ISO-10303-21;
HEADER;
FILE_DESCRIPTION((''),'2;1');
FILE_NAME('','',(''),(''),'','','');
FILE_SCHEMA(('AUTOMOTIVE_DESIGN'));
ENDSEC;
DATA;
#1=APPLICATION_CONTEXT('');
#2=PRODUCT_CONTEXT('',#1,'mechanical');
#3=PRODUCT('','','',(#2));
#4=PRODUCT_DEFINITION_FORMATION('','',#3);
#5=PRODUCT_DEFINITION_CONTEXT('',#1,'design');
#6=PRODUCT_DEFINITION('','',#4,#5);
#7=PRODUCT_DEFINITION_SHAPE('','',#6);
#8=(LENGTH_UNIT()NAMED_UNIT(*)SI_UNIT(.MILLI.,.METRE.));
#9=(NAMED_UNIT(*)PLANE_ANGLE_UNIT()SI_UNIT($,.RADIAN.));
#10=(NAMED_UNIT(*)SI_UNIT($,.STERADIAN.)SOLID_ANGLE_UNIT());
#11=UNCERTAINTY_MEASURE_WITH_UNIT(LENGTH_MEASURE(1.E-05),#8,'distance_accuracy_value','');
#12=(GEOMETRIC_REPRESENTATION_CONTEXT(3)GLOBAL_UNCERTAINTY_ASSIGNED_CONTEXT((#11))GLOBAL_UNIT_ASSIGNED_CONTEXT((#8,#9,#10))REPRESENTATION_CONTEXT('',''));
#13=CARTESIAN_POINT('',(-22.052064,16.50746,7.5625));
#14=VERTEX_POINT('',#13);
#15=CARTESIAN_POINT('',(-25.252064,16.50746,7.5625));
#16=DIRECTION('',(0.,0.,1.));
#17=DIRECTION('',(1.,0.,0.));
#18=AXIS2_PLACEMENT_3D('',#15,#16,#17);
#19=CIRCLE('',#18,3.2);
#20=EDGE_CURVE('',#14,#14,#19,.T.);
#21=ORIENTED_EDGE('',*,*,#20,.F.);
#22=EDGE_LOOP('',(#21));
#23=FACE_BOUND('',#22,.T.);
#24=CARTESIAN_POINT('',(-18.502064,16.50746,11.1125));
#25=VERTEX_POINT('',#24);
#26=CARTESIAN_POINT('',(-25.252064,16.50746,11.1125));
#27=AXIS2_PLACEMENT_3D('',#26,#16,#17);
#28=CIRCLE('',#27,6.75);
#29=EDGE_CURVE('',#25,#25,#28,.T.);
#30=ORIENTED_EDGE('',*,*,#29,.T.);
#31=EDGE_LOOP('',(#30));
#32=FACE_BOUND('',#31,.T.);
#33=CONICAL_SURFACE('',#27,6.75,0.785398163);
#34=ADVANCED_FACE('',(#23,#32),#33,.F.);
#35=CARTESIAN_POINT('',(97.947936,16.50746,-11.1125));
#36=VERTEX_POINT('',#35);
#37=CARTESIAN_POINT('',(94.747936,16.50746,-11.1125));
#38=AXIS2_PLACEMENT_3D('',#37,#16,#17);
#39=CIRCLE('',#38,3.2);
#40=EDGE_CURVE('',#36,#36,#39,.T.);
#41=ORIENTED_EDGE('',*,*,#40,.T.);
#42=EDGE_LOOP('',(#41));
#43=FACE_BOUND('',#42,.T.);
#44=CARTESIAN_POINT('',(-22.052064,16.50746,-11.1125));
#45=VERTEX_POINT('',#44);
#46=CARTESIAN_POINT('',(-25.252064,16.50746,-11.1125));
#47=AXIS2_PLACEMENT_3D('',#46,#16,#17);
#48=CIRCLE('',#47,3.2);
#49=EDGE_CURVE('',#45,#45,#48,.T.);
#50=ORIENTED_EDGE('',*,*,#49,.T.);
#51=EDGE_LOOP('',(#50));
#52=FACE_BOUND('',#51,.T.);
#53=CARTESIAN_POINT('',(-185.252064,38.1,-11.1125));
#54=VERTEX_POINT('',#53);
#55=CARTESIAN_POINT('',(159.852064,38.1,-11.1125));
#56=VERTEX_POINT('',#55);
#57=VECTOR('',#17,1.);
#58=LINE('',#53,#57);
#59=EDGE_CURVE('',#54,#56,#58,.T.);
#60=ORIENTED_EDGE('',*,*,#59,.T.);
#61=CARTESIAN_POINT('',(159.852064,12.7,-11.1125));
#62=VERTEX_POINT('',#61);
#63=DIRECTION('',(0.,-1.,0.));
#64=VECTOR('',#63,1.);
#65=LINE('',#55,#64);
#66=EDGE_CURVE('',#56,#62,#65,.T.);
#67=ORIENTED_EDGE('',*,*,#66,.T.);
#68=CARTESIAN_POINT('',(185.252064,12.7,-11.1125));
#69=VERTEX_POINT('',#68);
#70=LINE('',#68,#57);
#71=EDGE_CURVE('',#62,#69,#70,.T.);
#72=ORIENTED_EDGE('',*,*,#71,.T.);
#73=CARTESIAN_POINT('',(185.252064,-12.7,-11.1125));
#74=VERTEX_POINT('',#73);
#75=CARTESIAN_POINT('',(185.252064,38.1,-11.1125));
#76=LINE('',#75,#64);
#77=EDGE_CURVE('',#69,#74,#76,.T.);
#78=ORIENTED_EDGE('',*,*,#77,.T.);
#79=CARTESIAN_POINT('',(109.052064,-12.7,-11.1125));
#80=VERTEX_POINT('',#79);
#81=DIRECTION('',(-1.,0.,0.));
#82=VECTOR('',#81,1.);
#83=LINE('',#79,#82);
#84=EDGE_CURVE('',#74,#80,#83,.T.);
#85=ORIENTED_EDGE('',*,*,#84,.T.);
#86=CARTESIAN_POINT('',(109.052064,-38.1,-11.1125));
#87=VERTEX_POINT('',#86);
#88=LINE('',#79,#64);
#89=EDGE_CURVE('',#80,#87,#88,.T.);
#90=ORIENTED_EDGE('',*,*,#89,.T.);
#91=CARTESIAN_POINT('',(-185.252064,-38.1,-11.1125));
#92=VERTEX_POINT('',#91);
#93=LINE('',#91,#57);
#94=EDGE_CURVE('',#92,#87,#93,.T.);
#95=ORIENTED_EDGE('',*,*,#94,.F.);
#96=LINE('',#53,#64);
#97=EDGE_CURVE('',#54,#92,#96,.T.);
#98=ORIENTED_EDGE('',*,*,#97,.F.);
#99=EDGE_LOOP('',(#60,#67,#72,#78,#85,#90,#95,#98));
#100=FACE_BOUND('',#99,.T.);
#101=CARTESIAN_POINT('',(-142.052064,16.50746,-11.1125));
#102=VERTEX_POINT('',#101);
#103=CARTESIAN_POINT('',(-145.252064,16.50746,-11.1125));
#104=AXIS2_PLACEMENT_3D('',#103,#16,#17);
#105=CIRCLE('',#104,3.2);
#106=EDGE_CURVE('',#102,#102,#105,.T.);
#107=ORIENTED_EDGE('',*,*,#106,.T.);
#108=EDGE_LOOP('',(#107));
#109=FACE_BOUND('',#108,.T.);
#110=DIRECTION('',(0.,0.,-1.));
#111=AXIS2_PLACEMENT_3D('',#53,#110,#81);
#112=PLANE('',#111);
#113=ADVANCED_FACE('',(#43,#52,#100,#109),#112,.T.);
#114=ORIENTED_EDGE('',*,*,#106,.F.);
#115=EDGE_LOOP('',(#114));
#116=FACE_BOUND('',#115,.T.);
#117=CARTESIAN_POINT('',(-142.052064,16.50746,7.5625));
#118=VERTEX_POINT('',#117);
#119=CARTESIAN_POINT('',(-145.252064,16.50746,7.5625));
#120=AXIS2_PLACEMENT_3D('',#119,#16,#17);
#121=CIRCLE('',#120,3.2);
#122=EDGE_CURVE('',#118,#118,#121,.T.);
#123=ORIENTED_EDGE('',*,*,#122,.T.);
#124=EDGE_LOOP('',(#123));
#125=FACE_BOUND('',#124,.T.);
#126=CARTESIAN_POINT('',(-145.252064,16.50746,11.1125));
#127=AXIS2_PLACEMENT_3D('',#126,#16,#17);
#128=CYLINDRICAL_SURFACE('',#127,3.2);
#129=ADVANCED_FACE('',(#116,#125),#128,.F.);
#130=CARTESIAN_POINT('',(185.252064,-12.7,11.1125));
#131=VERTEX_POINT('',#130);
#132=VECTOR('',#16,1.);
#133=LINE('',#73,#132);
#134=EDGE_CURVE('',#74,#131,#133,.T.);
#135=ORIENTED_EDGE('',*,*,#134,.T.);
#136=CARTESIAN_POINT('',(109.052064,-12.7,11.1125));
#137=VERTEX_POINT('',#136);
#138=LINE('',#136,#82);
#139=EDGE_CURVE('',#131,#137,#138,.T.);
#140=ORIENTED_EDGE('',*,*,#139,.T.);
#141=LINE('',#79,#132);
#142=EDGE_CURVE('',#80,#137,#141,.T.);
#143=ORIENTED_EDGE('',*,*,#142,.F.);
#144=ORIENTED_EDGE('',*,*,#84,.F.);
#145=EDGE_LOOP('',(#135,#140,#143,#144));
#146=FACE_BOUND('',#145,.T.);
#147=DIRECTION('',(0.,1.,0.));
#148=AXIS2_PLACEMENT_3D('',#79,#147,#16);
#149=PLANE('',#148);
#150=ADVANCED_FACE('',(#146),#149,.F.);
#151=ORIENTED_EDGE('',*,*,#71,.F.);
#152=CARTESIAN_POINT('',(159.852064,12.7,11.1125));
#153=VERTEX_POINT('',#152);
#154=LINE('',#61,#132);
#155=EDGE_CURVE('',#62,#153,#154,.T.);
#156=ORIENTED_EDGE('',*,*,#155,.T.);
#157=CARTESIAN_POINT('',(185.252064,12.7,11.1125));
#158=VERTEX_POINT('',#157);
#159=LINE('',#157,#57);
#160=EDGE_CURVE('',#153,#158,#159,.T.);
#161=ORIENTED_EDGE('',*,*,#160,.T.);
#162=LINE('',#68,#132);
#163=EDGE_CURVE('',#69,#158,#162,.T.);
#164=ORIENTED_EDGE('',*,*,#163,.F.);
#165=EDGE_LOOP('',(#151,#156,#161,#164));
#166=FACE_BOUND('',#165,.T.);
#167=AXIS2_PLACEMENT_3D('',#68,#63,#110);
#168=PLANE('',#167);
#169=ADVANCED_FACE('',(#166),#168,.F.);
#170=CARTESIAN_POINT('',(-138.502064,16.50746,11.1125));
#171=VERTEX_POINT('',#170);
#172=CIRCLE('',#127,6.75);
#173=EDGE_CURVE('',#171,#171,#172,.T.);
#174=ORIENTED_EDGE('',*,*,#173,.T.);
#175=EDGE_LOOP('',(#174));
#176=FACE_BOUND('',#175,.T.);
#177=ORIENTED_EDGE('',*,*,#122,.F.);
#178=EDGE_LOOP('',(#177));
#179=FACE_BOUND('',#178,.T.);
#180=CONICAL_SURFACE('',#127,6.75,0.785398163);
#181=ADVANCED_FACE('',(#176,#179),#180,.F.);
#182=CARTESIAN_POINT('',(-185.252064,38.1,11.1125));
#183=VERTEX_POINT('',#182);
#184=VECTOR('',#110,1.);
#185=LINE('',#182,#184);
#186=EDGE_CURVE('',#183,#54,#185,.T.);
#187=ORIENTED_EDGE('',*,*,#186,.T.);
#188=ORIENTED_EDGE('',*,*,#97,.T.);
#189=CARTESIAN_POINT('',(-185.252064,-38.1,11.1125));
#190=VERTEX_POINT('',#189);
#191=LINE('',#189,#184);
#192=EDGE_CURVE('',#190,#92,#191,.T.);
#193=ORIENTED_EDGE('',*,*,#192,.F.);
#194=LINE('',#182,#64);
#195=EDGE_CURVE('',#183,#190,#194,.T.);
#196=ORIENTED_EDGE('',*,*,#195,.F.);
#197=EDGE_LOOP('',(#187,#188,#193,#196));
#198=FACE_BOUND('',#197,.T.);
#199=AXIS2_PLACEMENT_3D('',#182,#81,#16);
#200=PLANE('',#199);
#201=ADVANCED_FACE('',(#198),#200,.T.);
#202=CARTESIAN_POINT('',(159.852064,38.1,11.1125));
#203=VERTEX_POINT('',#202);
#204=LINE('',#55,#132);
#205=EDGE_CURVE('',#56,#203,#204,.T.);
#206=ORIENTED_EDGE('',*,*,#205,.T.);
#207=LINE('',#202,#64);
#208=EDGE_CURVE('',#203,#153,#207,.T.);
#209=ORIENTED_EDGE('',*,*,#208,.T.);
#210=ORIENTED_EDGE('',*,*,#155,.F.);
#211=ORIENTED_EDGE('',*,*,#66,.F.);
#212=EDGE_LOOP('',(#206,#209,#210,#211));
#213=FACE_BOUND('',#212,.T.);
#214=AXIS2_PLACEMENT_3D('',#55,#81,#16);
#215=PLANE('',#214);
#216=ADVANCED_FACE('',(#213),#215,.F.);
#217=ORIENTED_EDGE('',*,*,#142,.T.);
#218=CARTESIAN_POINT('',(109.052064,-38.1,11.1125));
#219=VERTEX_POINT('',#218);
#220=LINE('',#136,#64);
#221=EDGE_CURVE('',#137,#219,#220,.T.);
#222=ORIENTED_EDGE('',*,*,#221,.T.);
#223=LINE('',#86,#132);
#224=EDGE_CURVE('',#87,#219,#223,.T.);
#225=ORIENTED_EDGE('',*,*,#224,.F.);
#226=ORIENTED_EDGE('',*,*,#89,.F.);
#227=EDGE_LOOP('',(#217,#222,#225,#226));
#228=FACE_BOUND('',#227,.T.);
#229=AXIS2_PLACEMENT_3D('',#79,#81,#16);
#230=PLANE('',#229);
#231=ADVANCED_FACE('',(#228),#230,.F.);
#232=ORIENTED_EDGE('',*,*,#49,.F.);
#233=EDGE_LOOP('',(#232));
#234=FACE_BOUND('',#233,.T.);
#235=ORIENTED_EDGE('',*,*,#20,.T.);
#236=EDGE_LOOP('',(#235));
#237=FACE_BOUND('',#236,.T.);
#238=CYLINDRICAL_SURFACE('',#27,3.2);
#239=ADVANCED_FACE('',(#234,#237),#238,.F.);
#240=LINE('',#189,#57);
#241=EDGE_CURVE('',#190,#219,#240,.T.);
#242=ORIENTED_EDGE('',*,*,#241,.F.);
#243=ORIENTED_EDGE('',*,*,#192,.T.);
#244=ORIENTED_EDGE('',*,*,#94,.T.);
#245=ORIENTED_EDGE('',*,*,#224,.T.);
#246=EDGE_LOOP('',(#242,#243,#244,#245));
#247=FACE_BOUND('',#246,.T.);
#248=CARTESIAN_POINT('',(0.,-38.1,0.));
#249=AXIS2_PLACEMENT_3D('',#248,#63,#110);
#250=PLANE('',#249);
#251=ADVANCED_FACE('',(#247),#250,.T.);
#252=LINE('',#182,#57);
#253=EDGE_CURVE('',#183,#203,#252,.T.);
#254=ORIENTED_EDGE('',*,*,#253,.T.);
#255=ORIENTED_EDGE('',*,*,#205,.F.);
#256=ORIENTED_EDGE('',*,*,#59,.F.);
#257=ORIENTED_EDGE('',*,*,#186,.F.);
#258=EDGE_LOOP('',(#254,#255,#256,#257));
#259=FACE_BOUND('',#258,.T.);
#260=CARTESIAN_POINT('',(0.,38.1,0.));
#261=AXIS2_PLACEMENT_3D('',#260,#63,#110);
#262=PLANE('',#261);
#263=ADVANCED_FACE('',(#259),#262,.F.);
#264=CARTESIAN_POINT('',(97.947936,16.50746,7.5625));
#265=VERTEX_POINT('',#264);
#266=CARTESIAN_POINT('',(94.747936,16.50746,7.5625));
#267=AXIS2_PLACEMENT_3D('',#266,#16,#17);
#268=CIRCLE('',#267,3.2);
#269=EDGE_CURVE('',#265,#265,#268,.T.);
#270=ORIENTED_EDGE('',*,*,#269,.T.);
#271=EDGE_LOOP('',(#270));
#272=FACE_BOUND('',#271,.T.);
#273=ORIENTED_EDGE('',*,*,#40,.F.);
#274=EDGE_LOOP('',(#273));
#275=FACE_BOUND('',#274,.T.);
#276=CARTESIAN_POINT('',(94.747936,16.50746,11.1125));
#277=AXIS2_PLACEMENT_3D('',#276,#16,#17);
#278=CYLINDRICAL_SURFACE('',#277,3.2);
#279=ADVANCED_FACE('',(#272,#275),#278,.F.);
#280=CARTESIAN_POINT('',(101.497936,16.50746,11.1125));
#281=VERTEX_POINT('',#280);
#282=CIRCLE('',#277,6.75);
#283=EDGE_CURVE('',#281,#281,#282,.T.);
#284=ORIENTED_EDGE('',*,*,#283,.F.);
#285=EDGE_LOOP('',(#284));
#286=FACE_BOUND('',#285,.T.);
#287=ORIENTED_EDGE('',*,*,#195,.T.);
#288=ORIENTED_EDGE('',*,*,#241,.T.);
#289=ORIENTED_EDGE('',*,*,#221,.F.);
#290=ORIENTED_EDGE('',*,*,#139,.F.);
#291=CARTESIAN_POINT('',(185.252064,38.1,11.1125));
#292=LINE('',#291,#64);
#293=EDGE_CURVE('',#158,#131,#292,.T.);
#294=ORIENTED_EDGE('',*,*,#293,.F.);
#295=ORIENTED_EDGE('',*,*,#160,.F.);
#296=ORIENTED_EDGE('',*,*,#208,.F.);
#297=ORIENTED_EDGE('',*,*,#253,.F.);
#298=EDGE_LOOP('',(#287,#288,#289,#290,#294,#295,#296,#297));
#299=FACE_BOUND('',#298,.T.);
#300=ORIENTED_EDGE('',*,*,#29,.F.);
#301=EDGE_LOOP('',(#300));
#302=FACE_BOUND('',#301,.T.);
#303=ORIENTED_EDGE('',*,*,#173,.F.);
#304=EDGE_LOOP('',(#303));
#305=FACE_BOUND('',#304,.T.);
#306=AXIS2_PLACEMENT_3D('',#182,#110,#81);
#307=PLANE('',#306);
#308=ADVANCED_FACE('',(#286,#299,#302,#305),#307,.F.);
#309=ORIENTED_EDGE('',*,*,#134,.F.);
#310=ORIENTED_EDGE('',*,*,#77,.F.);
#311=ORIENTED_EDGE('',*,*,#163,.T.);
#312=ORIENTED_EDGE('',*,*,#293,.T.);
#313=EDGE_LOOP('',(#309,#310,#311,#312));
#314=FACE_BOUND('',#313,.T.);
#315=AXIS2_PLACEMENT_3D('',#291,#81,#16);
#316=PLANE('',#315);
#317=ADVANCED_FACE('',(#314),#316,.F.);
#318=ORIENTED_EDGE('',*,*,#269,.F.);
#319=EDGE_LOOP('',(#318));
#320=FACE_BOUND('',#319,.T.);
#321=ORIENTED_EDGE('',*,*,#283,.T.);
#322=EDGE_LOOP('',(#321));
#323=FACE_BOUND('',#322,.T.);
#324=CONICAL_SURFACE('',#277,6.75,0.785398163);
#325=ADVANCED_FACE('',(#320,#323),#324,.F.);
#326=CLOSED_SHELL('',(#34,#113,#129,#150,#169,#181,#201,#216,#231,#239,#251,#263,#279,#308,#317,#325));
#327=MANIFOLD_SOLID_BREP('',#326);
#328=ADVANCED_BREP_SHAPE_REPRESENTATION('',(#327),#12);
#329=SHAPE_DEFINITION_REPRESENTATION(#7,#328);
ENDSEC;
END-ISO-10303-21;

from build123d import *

# Parameters (mm, degrees)
SKETCH1_W                                            = 370.50412818
SKETCH1_H                                            = 22.225
BOSS_EXTRUDE1_DEPTH                                  = 38.1
CSK_FOR_M6_HEX_SOCKET_COUNTERSUNK_HEAD_S_D           = 6.4
CSK_FOR_M6_HEX_SOCKET_COUNTERSUNK_HEAD_S_CSINK_D     = 13.5
CSK_FOR_M6_HEX_SOCKET_COUNTERSUNK_HEAD_S_CSINK_ANGLE = 90
SKETCH3_W                                            = 25.4
SKETCH3_H                                            = 25.4
SKETCH3_W_2                                          = 76.2
CUT_EXTRUDE1_DEPTH                                   = 23.225


with BuildPart() as part:
    # Sketch1 → Boss-Extrude1 (new body, symmetric)
    with BuildSketch(Plane(origin=(0, 0, 0), x_dir=(1, 0, 0), z_dir=(0, 1, 0))):
        Rectangle(SKETCH1_W, SKETCH1_H)
    extrude(amount=BOSS_EXTRUDE1_DEPTH, both=True)

    # CSK for M6 Hex Socket Countersunk Head Screw6 (through all)
    with Locations(Plane.XY.offset(11.1125)):
        with Locations((-145.252063961, 16.50746), (-25.252063961, 16.50746), (94.747936039, 16.50746)):
            CounterSinkHole(CSK_FOR_M6_HEX_SOCKET_COUNTERSUNK_HEAD_S_D / 2, CSK_FOR_M6_HEX_SOCKET_COUNTERSUNK_HEAD_S_CSINK_D / 2, counter_sink_angle=CSK_FOR_M6_HEX_SOCKET_COUNTERSUNK_HEAD_S_CSINK_ANGLE)

    # Sketch3 → Cut-Extrude1 (cut, through all)
    with BuildSketch(Plane.XY.offset(11.1125)):
        with Locations((172.55206409, 25.4)):
            Rectangle(SKETCH3_W, SKETCH3_H)
        with Locations((147.15206409, -25.4)):
            Rectangle(SKETCH3_W_2, SKETCH3_H)
    extrude(amount=-CUT_EXTRUDE1_DEPTH, mode=Mode.SUBTRACT)


solid = part.part
